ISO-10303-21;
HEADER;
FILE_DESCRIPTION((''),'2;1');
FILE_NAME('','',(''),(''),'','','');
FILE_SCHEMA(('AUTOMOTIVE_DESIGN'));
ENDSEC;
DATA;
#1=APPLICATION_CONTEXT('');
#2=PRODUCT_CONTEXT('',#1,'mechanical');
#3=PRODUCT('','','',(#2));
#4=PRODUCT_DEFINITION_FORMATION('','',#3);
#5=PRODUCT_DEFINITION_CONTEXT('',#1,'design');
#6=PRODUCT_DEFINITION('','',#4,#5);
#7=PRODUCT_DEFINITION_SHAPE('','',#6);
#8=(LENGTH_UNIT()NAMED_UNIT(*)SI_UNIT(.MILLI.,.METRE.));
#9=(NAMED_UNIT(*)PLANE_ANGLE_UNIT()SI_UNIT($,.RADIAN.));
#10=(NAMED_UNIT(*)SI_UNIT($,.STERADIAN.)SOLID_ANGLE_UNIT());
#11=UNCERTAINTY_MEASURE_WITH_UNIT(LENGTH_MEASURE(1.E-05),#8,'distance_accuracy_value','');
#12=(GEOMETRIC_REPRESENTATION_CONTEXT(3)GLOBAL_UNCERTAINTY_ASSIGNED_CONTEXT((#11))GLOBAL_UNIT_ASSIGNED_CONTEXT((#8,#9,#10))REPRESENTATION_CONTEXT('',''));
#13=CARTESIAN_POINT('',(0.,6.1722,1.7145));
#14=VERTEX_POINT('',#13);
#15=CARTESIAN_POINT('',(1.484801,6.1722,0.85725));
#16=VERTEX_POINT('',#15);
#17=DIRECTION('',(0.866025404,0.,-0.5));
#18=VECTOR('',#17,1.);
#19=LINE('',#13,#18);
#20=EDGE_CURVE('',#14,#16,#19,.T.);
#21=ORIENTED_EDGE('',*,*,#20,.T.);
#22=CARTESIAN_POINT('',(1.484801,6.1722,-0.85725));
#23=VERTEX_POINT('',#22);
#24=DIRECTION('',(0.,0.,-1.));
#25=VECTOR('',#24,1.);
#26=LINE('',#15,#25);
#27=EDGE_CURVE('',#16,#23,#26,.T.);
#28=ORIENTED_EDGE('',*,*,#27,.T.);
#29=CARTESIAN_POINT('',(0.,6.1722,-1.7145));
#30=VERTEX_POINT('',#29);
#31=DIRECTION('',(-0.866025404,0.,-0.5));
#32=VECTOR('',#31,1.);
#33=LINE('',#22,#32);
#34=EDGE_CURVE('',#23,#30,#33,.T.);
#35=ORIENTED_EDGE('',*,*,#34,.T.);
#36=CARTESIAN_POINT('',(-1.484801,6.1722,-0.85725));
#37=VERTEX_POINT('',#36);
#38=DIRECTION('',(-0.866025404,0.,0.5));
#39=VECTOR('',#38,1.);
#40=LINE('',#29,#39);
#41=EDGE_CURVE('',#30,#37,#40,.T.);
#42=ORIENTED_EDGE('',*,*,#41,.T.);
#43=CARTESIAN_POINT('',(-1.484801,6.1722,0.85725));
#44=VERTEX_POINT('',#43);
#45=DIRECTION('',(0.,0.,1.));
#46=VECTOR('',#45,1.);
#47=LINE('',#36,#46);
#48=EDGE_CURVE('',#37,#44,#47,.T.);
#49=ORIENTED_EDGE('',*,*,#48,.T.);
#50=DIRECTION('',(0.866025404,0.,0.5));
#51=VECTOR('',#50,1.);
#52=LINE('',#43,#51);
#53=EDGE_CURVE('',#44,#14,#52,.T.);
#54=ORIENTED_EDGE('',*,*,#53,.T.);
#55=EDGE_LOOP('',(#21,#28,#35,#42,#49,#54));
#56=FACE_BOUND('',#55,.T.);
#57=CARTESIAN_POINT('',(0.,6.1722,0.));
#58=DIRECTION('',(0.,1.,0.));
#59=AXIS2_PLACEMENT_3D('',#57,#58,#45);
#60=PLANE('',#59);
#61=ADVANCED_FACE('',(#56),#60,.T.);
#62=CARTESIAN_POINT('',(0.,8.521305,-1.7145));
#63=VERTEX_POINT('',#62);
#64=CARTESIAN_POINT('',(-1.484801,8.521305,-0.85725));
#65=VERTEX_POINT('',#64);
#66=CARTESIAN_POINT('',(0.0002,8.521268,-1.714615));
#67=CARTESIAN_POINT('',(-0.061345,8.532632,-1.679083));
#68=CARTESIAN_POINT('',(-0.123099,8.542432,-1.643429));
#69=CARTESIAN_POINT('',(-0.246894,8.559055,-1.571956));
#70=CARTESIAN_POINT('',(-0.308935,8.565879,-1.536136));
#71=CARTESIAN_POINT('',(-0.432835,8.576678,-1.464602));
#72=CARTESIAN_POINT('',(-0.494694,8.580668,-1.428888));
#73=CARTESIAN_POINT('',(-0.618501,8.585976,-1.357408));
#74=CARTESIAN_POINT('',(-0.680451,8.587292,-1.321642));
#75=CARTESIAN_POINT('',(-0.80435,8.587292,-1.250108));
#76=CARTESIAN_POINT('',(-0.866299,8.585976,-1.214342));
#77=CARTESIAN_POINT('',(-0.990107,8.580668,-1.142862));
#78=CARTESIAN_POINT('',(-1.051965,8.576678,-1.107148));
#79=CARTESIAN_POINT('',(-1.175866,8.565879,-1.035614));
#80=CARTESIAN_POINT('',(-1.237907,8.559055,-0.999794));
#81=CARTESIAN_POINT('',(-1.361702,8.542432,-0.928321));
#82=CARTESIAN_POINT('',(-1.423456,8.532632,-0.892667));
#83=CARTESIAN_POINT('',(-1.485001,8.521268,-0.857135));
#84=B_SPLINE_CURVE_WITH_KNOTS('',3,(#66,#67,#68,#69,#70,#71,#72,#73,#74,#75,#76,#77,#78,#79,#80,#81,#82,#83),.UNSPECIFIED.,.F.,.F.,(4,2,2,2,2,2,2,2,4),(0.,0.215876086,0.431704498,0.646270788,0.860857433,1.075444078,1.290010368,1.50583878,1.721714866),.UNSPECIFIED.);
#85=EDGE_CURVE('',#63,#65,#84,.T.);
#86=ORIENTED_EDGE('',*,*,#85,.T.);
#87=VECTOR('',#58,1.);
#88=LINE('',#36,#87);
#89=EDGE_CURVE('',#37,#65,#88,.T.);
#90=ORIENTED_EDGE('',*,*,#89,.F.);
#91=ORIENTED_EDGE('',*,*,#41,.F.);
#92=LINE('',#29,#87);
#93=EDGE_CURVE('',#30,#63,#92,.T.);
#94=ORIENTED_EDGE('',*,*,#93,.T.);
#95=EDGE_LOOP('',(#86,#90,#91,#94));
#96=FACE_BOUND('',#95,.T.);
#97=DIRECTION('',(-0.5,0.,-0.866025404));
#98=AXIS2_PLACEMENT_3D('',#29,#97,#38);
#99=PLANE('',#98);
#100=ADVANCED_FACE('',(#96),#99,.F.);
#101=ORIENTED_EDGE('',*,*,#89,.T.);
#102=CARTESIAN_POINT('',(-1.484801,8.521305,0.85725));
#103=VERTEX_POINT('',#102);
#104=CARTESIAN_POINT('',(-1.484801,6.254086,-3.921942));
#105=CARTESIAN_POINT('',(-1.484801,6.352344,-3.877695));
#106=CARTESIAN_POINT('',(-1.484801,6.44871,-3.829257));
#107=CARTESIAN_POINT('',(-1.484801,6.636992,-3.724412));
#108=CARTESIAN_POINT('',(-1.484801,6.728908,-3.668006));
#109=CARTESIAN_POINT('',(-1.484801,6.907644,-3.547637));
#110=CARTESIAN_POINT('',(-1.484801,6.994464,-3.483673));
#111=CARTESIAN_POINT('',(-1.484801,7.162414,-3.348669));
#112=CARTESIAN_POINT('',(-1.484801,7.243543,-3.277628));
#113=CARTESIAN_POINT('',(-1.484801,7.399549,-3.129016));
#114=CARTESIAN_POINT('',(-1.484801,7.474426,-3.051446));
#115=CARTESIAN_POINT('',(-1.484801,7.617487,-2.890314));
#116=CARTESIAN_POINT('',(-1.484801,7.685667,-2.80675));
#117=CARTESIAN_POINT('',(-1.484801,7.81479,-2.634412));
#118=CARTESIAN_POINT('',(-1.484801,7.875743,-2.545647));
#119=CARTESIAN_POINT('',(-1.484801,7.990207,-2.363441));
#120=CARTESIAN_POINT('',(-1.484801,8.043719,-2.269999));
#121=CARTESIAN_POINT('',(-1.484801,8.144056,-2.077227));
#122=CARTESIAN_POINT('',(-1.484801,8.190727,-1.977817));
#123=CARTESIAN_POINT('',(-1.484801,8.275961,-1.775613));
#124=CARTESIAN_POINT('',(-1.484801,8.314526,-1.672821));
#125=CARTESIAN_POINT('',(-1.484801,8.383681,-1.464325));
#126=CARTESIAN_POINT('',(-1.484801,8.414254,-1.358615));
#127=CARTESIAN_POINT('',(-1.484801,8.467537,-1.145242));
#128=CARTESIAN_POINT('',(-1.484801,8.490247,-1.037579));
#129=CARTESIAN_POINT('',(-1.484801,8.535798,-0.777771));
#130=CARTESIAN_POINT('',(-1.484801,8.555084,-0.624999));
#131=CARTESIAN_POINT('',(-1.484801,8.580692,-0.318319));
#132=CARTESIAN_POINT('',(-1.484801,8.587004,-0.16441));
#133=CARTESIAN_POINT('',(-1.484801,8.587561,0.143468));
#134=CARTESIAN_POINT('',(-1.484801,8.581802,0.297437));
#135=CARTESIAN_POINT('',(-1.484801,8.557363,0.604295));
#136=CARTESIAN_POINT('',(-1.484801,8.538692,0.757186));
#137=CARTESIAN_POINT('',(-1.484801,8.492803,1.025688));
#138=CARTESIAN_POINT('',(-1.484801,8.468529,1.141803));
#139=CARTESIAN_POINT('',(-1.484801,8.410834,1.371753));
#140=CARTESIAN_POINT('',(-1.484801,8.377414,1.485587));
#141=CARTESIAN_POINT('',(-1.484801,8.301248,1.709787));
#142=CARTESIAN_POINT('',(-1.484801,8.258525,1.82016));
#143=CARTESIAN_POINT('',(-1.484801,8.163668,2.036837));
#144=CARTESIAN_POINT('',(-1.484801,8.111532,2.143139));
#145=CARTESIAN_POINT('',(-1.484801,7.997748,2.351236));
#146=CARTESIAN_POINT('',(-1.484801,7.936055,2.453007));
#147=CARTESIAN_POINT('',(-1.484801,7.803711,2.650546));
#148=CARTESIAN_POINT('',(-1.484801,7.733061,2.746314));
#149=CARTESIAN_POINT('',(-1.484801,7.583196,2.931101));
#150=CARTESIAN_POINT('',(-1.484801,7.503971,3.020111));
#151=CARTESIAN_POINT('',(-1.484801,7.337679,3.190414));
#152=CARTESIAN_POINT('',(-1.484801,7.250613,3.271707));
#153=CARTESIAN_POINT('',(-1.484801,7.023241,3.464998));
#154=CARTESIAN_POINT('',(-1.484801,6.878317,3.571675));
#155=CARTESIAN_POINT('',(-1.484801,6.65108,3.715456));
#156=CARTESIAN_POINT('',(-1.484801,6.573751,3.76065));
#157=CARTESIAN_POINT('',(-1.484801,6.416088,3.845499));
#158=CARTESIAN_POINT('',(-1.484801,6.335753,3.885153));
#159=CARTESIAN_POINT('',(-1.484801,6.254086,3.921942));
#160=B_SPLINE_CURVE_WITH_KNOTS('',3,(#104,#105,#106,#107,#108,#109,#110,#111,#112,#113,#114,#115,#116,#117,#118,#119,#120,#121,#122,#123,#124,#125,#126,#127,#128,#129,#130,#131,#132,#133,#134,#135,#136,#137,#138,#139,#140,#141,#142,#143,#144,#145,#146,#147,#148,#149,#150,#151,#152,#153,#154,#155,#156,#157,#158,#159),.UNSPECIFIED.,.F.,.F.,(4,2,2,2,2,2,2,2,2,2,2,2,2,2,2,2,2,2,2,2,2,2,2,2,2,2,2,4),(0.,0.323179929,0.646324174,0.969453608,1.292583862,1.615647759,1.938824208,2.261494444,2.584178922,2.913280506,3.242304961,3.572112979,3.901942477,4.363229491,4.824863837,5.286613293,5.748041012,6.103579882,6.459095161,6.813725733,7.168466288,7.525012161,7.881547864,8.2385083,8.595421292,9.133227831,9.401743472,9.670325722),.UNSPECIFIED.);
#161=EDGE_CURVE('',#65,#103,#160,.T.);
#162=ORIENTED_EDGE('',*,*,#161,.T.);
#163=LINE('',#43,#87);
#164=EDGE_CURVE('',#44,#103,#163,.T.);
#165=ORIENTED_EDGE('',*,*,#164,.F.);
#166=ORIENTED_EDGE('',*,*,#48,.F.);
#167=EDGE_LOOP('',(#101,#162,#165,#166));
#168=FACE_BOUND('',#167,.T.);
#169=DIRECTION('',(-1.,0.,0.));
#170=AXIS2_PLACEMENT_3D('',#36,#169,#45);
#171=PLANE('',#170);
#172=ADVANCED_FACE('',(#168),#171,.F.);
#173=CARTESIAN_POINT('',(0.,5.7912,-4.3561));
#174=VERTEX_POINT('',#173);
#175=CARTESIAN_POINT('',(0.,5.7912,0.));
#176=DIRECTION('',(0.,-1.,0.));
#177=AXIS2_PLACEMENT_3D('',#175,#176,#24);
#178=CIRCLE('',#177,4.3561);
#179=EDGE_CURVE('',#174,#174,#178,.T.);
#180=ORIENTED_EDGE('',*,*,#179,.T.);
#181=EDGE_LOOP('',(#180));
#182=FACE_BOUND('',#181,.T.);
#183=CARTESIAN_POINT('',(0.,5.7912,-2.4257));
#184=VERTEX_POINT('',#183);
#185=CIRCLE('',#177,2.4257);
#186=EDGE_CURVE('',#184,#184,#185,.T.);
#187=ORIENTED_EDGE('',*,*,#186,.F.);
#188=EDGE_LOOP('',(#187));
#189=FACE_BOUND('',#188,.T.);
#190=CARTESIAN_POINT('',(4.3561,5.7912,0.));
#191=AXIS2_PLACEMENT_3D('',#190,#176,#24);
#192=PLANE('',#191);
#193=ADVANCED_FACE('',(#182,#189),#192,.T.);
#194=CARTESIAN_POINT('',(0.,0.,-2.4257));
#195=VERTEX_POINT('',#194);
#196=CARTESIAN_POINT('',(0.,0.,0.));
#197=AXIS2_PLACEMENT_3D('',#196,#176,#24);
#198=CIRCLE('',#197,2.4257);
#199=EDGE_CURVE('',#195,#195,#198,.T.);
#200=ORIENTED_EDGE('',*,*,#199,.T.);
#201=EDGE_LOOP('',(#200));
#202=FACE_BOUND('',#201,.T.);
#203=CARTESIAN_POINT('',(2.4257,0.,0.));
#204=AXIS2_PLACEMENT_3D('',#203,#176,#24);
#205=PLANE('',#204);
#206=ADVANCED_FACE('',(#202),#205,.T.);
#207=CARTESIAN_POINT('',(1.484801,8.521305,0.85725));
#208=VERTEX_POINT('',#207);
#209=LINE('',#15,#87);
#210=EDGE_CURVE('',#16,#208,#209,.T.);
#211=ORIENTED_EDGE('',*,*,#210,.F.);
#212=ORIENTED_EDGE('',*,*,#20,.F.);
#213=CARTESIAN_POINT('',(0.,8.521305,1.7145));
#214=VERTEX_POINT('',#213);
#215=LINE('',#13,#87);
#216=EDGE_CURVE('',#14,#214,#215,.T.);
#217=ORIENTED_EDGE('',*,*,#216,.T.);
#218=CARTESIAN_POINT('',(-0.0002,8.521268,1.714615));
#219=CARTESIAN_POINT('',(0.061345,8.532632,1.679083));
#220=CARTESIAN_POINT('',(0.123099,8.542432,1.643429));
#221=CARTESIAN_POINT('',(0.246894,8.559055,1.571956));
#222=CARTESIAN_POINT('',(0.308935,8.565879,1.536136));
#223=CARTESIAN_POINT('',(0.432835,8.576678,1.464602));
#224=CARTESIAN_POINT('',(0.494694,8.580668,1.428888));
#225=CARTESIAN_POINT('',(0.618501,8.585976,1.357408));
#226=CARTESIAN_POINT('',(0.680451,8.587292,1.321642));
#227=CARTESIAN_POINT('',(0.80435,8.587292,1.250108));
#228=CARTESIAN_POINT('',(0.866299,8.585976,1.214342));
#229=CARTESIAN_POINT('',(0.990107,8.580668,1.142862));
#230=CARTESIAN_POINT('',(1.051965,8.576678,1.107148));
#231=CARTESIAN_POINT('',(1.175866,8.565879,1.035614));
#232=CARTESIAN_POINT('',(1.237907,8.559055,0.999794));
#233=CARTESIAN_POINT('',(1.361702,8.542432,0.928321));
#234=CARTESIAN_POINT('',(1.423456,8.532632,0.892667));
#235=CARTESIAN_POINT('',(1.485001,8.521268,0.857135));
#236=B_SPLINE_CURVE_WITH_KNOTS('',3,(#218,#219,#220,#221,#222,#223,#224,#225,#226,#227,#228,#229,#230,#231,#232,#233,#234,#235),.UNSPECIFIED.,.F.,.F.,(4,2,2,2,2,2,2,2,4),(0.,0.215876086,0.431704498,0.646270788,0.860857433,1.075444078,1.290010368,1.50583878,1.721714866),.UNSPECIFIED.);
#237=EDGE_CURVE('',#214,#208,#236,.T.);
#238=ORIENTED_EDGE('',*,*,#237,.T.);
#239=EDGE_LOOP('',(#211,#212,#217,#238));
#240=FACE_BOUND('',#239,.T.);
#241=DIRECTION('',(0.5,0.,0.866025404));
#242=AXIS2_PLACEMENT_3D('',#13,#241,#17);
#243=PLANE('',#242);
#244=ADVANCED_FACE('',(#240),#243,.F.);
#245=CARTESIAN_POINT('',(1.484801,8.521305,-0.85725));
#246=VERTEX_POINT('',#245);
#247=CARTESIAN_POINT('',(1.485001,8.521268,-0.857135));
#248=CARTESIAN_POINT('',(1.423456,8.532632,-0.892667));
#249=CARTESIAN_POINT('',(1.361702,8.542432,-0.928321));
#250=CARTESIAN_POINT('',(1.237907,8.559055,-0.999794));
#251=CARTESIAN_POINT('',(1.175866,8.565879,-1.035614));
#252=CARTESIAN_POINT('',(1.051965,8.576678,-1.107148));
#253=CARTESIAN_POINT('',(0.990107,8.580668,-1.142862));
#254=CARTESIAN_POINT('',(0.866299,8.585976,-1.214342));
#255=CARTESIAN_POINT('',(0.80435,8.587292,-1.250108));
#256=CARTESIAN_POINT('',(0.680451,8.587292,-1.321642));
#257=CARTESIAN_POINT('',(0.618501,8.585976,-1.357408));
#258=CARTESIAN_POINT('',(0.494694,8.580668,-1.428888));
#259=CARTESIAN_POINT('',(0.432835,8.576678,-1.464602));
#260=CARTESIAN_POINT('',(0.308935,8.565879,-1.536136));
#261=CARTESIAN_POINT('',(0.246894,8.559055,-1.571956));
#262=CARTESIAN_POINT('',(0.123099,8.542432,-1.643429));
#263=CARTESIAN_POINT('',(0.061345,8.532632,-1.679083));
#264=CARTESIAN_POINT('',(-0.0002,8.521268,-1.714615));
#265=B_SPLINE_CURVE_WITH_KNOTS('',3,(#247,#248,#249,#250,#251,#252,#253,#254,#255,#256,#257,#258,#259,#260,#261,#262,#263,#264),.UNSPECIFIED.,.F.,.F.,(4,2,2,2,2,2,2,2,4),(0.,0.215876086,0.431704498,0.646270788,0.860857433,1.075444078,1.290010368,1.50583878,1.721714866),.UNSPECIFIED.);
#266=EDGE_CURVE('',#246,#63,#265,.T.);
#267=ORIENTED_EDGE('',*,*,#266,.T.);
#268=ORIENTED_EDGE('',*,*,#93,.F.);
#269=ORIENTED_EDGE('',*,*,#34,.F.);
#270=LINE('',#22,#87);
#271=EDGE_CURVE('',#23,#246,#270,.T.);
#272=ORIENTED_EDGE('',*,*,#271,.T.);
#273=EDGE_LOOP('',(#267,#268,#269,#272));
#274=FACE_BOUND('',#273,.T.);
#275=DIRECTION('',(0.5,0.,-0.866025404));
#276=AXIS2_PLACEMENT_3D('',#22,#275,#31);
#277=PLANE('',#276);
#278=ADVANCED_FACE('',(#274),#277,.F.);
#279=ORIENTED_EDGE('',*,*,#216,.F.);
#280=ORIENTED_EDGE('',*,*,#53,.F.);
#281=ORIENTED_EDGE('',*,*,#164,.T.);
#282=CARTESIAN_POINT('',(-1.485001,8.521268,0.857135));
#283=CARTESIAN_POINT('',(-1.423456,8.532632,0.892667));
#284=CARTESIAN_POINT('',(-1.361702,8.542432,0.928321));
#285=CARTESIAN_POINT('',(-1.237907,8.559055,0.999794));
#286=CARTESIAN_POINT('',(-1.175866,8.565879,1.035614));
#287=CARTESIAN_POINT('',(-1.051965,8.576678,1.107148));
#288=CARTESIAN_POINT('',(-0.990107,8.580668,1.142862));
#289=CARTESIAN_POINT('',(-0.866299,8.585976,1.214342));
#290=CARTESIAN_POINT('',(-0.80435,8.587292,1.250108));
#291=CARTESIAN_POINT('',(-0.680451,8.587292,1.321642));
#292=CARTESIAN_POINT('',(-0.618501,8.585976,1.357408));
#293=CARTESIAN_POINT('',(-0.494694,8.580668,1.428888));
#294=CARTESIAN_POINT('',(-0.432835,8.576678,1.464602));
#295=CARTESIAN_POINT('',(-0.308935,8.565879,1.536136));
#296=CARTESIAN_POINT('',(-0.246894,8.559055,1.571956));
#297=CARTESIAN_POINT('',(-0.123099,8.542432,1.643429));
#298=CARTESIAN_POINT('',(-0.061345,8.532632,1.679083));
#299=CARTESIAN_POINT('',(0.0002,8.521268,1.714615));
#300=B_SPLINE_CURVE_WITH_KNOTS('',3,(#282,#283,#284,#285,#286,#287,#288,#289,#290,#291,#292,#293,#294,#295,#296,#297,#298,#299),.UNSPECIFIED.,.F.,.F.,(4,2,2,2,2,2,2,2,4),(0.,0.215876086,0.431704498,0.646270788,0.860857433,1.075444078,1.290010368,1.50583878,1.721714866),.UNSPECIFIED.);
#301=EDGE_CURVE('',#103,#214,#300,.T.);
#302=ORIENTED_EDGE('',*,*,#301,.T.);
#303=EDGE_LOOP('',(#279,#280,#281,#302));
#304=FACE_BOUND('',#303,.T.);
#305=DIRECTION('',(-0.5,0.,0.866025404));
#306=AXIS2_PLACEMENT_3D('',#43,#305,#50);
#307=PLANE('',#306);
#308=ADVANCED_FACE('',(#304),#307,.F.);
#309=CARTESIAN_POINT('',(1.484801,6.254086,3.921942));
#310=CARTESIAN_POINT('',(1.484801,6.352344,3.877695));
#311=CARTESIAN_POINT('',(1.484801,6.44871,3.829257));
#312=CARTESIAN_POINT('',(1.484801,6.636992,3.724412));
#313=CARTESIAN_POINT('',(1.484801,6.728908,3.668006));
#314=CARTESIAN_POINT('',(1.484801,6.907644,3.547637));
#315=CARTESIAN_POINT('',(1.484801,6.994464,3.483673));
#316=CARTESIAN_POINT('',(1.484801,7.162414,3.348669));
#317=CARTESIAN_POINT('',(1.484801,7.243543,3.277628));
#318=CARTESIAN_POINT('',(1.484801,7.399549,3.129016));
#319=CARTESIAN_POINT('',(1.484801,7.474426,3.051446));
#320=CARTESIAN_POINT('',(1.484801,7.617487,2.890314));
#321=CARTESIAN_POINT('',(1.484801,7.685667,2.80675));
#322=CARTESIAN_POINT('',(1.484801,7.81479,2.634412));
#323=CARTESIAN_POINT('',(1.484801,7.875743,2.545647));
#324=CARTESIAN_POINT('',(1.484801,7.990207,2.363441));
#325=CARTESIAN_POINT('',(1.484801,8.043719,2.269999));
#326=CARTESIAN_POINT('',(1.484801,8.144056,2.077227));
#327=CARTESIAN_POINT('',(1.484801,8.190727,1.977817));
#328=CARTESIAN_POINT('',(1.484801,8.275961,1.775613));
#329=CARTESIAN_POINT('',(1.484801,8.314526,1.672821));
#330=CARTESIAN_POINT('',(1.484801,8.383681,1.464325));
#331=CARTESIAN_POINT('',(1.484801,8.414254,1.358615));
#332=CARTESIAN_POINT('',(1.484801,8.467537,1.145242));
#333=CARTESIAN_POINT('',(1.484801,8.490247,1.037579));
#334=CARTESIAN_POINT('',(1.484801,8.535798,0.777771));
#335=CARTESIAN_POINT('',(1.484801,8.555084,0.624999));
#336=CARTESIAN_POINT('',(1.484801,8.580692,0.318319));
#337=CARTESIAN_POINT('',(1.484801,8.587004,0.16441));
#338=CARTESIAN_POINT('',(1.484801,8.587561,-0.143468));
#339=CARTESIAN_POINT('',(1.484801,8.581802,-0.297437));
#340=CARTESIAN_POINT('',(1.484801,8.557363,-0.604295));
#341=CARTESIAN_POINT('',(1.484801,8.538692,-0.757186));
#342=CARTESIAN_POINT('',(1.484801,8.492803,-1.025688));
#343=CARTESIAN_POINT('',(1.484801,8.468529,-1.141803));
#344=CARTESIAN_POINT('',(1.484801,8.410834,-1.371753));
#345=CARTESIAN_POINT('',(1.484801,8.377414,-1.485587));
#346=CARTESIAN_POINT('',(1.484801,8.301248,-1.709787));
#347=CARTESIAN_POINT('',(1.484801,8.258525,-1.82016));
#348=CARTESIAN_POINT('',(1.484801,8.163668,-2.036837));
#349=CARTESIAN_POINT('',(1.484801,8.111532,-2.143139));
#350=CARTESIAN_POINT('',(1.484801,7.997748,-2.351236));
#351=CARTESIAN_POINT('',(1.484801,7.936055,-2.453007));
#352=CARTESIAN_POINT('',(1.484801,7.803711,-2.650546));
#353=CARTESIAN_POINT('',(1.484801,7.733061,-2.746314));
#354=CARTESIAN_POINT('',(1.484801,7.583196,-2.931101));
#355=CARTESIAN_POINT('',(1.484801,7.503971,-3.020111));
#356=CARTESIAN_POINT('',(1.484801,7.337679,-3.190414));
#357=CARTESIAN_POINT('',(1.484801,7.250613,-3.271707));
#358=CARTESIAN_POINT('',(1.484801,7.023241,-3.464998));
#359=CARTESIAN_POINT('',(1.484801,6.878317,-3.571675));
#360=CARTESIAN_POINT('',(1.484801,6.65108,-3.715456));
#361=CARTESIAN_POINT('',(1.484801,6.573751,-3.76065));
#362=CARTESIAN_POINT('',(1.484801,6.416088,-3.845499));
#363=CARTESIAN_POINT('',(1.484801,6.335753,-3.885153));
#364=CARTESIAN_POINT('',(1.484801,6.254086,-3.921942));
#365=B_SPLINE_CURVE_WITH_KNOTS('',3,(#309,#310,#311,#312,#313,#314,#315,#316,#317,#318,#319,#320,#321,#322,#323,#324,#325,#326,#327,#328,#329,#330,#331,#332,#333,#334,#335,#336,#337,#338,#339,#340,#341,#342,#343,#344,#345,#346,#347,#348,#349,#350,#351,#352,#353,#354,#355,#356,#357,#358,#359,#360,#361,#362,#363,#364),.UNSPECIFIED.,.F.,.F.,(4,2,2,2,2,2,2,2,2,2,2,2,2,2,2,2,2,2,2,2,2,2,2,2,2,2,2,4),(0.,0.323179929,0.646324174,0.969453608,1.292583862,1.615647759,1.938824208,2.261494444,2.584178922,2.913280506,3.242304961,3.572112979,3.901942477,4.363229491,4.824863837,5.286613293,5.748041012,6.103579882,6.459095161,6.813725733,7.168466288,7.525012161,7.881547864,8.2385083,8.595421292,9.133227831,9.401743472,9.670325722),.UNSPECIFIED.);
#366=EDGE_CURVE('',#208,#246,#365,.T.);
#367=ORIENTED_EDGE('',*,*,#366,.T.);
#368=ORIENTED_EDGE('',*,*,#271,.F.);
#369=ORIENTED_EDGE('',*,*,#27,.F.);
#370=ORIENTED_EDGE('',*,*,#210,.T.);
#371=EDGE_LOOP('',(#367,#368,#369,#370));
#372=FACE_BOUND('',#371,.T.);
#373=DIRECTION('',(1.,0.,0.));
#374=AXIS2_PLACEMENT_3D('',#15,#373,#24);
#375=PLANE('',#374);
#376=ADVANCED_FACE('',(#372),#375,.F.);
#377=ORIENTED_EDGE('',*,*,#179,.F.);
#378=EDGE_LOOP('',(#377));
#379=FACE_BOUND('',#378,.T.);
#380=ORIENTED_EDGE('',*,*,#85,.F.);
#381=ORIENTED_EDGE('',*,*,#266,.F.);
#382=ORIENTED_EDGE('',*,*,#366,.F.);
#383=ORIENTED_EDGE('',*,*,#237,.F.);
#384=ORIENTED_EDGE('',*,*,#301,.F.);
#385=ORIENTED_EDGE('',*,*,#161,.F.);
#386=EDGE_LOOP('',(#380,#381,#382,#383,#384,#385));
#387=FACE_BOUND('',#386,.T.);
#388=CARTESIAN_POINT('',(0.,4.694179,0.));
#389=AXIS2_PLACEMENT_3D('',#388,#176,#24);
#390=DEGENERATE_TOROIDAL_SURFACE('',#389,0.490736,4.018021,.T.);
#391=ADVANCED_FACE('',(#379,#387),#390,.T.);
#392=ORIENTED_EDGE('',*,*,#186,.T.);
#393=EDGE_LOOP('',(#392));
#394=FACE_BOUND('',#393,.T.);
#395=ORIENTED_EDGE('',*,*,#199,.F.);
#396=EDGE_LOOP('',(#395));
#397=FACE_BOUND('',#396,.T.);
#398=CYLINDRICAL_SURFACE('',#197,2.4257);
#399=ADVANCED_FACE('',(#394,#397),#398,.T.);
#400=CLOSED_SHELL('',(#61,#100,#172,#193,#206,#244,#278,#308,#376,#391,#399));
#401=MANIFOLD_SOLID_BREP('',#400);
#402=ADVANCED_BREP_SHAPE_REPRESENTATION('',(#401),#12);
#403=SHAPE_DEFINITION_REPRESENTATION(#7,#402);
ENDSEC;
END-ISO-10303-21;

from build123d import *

# Parameters (mm, degrees)
CUT_EXTRUDE1_DEPTH = 2.54


with BuildPart() as part:
    # Sketch1 → Revolve1 (revolve)
    with BuildSketch(Plane.XY):
        with BuildLine():
            Line((0, 0), (0, 8.7122))
            Line((0, 8.7122), (0.490735938, 8.7122))
            ThreePointArc((0.490735938, 8.7122), (2.913197513, 7.899826069), (4.3561, 5.7912))
            Line((4.3561, 5.7912), (2.4257, 5.7912))
            Line((2.4257, 5.7912), (2.4257, 0))
            Line((2.4257, 0), (0, 0))
        make_face()
    revolve(axis=Axis((0, 0, 0), (0, 1, 0)))

    # Sketch2 → Cut-Extrude1 (cut)
    with BuildSketch(Plane(origin=(0, 8.7122, 0), x_dir=(1, 0, 0), z_dir=(0, 1, 0))):
        Polygon((0, -1.7145), (1.484800555, -0.85725), (1.484800555, 0.85725), (0, 1.7145), (-1.484800555, 0.85725), (-1.484800555, -0.85725), align=None)
    extrude(amount=-CUT_EXTRUDE1_DEPTH, mode=Mode.SUBTRACT)


solid = part.part
